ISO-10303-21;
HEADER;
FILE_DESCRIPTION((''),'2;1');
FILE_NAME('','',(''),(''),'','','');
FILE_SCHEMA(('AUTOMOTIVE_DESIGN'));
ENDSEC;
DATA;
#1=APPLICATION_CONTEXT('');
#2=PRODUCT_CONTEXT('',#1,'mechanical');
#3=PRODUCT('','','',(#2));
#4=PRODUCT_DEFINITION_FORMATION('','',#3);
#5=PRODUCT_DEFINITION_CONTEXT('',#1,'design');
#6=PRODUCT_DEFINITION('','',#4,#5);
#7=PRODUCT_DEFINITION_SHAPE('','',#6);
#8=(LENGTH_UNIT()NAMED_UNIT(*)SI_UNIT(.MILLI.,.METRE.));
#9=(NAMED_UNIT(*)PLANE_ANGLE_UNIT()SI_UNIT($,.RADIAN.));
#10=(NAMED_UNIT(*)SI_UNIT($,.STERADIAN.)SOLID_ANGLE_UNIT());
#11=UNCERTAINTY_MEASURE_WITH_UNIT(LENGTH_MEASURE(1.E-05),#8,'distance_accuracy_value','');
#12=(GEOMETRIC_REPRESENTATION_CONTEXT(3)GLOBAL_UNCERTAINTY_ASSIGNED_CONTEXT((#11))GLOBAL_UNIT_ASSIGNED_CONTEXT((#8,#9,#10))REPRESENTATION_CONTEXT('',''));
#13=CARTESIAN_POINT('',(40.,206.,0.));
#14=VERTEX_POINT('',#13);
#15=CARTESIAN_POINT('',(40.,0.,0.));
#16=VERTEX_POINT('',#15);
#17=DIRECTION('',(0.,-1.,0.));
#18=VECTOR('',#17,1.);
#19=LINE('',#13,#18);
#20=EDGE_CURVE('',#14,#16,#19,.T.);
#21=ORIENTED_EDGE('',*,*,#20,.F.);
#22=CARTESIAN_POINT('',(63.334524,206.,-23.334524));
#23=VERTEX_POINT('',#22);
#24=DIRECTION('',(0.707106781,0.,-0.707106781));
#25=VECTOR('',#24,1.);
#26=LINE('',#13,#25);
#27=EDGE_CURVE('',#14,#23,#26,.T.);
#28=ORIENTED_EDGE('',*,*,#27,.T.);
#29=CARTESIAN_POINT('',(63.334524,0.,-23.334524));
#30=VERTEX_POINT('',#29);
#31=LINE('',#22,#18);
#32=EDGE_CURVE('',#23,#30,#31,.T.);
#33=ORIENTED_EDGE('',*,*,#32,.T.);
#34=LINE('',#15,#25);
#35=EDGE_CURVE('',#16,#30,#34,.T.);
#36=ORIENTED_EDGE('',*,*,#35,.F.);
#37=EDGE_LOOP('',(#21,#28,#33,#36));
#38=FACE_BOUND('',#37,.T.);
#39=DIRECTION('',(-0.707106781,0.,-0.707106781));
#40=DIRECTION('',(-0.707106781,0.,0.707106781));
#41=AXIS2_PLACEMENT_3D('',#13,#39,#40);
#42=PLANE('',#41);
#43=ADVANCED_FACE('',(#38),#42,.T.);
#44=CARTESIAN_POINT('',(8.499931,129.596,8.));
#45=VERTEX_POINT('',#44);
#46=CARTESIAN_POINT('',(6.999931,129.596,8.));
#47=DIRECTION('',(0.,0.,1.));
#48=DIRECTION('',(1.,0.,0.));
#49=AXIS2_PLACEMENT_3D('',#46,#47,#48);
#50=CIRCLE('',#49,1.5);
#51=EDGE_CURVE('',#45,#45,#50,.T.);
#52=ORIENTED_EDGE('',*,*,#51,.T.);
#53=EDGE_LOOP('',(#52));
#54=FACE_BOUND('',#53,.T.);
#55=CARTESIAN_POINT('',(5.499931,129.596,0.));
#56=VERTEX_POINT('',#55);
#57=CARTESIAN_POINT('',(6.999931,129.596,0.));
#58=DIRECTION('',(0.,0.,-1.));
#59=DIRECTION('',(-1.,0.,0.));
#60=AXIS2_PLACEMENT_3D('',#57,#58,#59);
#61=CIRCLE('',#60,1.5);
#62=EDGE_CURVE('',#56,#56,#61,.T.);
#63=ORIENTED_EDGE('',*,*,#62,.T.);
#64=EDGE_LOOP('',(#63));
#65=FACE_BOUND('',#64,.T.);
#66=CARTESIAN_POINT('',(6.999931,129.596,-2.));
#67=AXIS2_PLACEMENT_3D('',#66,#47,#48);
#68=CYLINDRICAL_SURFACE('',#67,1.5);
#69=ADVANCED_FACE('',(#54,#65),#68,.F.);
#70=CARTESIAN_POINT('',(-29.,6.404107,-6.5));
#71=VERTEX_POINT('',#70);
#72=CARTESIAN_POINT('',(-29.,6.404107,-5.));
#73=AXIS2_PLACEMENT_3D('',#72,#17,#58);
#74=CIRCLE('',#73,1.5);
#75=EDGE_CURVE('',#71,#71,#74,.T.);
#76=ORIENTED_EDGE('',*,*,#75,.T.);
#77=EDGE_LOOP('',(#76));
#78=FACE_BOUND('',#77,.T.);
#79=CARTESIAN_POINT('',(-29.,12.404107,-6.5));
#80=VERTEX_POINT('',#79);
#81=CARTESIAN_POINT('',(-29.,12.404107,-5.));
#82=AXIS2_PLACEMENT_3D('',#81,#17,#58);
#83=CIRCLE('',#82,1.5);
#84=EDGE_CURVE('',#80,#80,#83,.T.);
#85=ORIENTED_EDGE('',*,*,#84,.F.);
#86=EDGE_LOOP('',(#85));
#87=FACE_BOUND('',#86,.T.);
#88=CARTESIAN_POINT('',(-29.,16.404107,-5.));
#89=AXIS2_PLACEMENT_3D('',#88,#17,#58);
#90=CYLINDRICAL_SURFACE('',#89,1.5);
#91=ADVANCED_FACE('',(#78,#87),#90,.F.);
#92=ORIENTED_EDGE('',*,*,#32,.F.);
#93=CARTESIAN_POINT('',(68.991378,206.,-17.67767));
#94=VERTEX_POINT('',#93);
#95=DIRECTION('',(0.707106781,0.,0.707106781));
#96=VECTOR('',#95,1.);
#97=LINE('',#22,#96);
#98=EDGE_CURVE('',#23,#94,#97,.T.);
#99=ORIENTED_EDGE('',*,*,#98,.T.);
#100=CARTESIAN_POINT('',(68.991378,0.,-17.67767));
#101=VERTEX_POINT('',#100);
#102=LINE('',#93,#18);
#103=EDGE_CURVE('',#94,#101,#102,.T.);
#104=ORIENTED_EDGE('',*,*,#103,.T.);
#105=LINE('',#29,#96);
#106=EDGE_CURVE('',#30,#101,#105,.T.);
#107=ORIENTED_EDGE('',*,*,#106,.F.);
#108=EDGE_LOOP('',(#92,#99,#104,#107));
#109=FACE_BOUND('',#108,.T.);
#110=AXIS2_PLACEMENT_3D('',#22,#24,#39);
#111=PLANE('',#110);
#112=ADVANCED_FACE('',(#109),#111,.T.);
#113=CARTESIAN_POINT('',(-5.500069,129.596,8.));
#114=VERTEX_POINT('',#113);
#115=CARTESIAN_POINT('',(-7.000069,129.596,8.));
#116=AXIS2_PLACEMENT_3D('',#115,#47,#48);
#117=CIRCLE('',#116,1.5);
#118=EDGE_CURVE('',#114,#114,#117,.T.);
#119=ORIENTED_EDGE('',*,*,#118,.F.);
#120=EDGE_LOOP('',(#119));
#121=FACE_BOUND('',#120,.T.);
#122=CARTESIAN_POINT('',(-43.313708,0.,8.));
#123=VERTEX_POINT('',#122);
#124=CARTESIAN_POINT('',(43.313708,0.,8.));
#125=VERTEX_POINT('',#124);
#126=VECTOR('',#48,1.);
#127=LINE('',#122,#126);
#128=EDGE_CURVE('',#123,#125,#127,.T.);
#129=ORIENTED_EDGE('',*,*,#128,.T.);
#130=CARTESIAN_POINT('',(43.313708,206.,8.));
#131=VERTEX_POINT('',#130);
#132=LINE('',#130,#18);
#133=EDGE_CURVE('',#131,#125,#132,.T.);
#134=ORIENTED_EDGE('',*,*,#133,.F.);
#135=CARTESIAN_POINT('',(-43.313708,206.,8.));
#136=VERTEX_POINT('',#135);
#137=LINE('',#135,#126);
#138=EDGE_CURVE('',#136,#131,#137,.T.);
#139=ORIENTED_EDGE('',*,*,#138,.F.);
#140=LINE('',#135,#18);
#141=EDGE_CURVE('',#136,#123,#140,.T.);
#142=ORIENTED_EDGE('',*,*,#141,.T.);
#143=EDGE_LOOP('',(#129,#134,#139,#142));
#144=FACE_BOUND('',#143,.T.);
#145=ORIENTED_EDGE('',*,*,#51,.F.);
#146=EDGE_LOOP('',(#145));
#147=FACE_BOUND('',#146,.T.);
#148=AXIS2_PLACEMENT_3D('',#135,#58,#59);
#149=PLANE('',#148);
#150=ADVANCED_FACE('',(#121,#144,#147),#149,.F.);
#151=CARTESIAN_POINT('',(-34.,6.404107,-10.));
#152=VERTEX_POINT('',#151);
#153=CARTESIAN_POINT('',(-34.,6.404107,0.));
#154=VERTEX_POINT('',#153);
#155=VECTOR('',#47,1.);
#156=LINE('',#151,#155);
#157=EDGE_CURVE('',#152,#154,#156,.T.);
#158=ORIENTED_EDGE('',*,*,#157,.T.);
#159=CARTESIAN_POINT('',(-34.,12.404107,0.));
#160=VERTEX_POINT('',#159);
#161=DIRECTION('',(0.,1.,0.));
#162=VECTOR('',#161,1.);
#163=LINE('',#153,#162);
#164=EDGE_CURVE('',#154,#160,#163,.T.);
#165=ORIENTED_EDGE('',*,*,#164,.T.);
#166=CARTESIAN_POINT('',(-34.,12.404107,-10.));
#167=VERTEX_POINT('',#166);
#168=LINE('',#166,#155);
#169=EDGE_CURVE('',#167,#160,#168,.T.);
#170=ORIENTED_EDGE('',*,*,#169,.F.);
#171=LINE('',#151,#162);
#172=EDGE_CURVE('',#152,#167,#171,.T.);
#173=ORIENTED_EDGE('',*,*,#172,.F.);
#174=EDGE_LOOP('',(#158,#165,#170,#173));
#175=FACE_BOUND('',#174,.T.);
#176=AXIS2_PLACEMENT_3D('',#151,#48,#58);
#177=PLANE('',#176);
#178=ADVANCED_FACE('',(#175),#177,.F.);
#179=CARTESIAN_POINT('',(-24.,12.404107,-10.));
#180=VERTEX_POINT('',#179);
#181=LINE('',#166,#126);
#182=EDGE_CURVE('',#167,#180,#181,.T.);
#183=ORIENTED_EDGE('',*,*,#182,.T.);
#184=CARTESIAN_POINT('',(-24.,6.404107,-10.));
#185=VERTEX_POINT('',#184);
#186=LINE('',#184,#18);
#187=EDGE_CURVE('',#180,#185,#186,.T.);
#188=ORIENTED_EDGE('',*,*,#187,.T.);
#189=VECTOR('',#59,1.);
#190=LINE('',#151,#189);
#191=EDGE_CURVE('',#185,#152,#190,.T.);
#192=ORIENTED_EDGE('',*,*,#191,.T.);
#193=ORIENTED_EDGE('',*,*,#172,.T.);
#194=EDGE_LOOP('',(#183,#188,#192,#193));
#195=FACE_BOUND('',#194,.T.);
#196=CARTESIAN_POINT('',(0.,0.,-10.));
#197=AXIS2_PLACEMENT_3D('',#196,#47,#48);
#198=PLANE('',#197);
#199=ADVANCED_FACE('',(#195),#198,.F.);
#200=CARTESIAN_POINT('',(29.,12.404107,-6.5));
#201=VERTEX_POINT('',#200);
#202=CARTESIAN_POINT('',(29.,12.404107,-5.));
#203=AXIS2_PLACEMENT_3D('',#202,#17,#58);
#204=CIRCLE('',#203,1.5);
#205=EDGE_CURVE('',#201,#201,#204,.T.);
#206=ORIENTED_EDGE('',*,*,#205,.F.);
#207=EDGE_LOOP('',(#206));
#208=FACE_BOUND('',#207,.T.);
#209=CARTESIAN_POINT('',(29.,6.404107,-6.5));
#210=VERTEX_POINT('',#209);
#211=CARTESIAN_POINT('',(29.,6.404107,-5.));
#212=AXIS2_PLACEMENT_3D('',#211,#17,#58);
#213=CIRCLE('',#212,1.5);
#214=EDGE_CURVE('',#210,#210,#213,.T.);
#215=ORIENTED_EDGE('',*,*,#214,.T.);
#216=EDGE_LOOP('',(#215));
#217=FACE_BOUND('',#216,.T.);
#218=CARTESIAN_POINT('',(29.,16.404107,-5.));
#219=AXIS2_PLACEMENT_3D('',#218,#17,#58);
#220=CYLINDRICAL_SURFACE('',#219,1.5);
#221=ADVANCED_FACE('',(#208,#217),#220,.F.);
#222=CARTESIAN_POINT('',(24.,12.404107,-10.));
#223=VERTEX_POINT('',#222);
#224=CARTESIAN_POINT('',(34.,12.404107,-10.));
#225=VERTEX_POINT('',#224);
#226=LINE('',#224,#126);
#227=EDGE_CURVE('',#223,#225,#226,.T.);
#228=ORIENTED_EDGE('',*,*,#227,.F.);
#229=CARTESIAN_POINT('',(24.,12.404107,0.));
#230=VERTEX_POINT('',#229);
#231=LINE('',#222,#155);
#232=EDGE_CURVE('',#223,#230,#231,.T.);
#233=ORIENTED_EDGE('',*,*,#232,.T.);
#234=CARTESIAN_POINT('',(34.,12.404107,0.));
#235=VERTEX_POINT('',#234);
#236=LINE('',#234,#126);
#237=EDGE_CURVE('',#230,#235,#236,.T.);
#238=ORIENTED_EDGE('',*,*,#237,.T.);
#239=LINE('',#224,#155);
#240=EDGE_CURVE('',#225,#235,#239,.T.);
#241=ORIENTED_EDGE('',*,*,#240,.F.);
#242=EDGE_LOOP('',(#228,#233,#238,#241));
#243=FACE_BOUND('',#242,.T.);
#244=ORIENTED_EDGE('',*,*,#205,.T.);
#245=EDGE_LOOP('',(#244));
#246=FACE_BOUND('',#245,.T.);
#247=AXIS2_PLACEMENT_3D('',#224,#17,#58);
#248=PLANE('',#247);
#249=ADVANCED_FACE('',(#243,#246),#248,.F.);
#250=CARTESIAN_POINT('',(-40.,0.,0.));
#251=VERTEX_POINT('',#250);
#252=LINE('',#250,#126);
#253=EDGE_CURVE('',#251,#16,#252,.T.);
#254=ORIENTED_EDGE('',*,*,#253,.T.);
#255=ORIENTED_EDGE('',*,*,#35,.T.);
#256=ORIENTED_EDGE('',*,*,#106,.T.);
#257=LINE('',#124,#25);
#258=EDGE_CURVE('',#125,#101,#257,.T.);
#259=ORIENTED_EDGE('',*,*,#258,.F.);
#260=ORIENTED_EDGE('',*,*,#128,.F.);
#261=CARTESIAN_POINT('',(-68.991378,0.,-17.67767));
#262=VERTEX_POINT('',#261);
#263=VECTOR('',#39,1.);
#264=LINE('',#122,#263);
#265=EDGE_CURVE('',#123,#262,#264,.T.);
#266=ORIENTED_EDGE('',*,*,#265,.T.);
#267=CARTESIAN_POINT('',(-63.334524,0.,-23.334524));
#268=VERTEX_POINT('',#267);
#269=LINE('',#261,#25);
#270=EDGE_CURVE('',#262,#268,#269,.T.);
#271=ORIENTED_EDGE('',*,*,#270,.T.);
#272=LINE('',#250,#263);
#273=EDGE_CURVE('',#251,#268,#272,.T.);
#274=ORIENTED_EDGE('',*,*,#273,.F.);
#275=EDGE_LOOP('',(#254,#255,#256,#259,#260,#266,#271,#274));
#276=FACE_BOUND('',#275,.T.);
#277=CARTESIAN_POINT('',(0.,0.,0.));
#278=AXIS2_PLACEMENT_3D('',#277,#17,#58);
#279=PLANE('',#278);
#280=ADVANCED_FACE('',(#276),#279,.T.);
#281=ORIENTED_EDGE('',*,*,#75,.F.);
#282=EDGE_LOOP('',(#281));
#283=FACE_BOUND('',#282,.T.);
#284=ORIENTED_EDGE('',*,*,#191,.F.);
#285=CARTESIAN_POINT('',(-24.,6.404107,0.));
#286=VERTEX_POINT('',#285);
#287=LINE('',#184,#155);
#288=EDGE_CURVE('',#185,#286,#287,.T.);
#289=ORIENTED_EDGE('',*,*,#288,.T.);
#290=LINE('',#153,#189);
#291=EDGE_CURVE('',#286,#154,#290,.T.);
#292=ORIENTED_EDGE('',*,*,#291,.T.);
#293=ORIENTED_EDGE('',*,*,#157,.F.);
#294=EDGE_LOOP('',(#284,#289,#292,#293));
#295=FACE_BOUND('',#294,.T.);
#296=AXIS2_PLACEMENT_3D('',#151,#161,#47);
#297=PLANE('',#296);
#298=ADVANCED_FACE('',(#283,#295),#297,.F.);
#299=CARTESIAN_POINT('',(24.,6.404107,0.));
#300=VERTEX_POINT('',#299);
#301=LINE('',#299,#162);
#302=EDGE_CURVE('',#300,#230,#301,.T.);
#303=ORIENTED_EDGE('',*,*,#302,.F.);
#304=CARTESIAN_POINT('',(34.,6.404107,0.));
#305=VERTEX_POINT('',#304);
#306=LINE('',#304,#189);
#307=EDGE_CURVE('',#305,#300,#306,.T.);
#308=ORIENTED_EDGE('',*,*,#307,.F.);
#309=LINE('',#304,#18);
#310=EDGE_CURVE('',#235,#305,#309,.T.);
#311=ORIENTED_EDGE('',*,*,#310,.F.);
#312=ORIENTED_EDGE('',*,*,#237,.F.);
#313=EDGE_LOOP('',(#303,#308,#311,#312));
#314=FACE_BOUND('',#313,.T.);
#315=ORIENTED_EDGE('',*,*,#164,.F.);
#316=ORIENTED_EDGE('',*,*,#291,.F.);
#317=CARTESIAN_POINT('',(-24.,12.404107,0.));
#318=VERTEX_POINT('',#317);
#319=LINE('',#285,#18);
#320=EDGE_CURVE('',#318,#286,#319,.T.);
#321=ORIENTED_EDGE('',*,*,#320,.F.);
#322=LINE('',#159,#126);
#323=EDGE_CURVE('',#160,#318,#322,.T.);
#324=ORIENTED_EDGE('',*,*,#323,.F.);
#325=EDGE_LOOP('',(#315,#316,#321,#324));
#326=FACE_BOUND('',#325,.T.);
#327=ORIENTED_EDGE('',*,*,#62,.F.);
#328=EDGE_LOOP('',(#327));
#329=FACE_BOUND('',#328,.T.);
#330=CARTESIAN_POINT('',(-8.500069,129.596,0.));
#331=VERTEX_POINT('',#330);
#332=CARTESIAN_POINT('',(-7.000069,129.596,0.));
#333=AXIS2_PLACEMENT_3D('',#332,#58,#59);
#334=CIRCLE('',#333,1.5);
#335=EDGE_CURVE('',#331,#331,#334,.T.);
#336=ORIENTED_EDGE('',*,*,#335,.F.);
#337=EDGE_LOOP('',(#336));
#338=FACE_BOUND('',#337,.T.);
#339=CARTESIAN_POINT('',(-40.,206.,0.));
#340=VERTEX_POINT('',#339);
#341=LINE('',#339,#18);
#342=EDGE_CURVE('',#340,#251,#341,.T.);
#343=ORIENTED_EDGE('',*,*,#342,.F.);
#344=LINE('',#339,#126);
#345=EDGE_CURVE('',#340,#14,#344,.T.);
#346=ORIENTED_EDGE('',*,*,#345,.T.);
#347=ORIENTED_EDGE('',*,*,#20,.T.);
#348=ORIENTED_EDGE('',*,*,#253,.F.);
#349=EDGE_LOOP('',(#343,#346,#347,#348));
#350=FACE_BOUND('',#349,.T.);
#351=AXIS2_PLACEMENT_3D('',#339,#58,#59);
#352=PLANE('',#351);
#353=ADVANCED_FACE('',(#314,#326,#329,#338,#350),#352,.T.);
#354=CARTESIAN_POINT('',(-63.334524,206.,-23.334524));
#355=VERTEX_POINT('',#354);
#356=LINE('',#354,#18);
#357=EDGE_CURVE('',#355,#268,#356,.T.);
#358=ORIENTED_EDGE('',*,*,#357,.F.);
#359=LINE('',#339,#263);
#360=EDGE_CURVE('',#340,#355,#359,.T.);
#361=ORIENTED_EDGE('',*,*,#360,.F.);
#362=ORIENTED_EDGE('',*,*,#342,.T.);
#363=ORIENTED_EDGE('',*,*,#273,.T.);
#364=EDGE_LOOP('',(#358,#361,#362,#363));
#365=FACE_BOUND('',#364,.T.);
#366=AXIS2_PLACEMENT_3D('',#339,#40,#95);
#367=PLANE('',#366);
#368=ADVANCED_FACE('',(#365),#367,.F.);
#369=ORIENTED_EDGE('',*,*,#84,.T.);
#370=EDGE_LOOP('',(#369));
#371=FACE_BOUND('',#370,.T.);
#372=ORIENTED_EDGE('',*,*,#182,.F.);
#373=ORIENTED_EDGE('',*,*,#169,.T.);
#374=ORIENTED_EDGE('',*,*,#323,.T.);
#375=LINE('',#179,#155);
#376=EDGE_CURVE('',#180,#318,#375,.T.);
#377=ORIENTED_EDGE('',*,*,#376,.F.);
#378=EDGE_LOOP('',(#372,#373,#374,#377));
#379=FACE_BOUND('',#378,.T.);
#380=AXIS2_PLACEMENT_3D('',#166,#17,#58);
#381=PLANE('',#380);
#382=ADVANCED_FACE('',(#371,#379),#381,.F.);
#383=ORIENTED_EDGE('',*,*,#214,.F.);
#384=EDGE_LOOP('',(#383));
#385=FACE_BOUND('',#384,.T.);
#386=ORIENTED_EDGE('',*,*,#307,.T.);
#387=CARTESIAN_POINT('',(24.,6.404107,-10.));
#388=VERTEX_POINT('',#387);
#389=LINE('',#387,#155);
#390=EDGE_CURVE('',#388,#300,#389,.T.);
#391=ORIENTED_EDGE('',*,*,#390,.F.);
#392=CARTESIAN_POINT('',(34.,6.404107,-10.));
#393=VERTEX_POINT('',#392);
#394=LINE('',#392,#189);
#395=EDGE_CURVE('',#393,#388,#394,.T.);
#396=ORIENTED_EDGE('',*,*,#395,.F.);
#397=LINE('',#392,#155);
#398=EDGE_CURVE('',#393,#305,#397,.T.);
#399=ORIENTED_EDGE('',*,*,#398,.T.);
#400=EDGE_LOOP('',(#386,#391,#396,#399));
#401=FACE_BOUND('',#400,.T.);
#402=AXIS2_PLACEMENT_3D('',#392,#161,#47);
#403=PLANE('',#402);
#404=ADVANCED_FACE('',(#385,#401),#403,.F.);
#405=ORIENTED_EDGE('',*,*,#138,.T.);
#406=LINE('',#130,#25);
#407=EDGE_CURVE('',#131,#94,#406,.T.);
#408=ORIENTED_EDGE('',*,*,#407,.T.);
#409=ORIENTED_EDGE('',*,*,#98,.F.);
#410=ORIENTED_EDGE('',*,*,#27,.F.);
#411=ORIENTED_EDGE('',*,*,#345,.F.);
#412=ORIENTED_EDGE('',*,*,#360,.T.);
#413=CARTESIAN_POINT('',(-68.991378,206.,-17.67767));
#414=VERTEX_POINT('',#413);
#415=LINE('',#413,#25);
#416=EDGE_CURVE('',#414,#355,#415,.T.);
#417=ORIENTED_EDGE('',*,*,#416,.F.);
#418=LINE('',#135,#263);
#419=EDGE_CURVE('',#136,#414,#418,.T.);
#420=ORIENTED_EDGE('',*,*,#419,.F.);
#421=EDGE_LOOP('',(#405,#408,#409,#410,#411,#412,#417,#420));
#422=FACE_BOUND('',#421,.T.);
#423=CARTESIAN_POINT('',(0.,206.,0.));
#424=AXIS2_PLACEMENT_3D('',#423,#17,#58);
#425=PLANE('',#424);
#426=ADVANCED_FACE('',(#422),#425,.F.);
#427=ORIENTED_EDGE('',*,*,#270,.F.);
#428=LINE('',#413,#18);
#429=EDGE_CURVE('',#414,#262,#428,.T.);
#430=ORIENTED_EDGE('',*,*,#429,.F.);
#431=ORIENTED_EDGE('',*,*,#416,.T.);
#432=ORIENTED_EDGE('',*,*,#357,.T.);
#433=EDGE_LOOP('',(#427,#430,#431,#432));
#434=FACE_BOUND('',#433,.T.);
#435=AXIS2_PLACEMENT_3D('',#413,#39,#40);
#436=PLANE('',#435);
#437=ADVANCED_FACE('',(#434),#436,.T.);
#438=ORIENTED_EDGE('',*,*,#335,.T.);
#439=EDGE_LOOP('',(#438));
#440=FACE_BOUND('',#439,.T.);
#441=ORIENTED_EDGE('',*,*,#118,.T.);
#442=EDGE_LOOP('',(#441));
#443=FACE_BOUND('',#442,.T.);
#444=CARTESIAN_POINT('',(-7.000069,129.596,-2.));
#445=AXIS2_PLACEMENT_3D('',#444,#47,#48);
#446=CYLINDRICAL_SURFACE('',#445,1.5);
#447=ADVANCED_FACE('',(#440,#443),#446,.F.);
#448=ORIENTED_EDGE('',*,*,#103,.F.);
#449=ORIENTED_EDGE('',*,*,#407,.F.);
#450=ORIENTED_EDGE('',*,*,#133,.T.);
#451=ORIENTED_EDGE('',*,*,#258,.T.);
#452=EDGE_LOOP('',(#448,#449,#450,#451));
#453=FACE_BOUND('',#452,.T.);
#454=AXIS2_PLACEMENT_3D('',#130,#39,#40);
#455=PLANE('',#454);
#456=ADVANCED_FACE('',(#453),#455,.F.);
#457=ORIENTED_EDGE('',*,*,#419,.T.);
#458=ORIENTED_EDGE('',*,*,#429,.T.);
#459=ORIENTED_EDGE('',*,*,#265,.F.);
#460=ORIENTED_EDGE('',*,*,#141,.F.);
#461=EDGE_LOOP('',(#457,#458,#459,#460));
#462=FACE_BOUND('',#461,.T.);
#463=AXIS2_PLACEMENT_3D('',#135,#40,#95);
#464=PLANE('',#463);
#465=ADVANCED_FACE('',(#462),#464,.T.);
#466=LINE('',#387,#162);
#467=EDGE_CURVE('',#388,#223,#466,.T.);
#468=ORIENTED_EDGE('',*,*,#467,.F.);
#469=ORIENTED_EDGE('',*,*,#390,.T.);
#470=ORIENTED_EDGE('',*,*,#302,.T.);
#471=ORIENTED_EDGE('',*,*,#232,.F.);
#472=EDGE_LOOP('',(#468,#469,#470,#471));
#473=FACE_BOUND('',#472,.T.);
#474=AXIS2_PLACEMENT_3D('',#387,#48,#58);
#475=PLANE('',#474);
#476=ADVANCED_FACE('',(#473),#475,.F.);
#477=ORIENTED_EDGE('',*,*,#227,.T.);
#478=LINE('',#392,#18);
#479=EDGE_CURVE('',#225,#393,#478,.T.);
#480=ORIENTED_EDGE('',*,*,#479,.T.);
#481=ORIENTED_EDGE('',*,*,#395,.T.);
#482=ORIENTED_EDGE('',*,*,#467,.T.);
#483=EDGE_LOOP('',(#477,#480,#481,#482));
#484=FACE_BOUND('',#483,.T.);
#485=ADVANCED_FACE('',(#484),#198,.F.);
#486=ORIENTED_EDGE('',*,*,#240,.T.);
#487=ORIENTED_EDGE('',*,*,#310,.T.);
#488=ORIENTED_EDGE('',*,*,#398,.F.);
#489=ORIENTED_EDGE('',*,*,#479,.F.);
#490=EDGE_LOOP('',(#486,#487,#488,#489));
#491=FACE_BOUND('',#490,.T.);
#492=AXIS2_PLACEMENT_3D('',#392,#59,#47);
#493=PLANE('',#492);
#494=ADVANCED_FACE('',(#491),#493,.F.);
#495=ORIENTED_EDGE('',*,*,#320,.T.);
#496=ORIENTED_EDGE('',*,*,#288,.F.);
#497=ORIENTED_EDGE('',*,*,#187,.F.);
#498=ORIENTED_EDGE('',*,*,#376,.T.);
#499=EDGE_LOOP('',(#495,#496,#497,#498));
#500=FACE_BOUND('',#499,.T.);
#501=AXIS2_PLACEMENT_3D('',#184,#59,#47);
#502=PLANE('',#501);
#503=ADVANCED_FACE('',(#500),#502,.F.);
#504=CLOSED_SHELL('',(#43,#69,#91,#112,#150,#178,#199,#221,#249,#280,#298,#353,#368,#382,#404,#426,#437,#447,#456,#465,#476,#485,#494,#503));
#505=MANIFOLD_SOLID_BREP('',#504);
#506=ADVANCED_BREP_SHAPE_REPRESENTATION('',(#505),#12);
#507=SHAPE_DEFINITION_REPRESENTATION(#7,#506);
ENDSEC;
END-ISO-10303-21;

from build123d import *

# Parameters (mm, degrees)
SALIENTE_EXTRUIR1_DEPTH = 206
CROQUIS2_W              = 10
CROQUIS2_H              = 6
SALIENTE_EXTRUIR2_DEPTH = 10
CORTAR_EXTRUIR1_DEPTH   = 10
CROQUIS4_R              = 1.5
CORTAR_EXTRUIR4_DEPTH   = 10


with BuildPart() as part:
    # Croquis1 → Saliente-Extruir1 (new body)
    with BuildSketch(Plane(origin=(0, 0, 0), x_dir=(1, 0, 0), z_dir=(0, 1, 0))):
        Polygon((-40, 0), (40, 0), (63.334523779, 23.334523779), (68.991378029, 17.67766953), (43.313708499, -8), (-43.313708499, -8), (-68.991378029, 17.67766953), (-63.334523779, 23.334523779), align=None)
    extrude(amount=SALIENTE_EXTRUIR1_DEPTH)

    # Croquis2 → Saliente-Extruir2 (add)
    with BuildSketch(Plane(origin=(0, 0, 0), x_dir=(-1, 0, 0), z_dir=(0, 0, -1))):
        with Locations((29, 9.404106992)):
            Rectangle(CROQUIS2_W, CROQUIS2_H)
        with Locations((-29, 9.404106992)):
            Rectangle(CROQUIS2_W, CROQUIS2_H)
    extrude(amount=SALIENTE_EXTRUIR2_DEPTH)

    # Croquis3 → Cortar-Extruir1 (cut)
    with BuildSketch(Plane.XZ.offset(-6.404106992)):
        with BuildLine():
            ThreePointArc((-27.5, -5), (-28.425974851, -3.614180701), (-30.060660172, -3.939339828))
            Line((-30.060660172, -3.939339828), (-27.939339828, -6.060660172))
            ThreePointArc((-27.939339828, -6.060660172), (-27.614180701, -5.574025149), (-27.5, -5))
        make_face()
        with BuildLine():
            Line((-27.939339828, -6.060660172), (-30.060660172, -3.939339828))
            ThreePointArc((-30.060660172, -3.939339828), (-30.060660172, -6.060660172), (-27.939339828, -6.060660172))
        make_face()
        with BuildLine():
            ThreePointArc((29, -3.5), (27.5, -5), (29, -6.5))
            Line((29, -6.5), (29, -3.5))
        make_face()
        with BuildLine():
            Line((29, -3.5), (29, -6.5))
            ThreePointArc((29, -6.5), (30.060660172, -6.060660172), (30.5, -5))
            ThreePointArc((30.5, -5), (30.060660172, -3.939339828), (29, -3.5))
        make_face()
    extrude(amount=-CORTAR_EXTRUIR1_DEPTH, mode=Mode.SUBTRACT)

    # Croquis4 → Cortar-Extruir4 (cut)
    with BuildSketch(Plane.XY.offset(8)):
        with Locations((-7.000068571, 129.596)):
            Circle(CROQUIS4_R)
        with Locations((6.999931429, 129.596)):
            Circle(CROQUIS4_R)
    extrude(amount=-CORTAR_EXTRUIR4_DEPTH, mode=Mode.SUBTRACT)


solid = part.part
